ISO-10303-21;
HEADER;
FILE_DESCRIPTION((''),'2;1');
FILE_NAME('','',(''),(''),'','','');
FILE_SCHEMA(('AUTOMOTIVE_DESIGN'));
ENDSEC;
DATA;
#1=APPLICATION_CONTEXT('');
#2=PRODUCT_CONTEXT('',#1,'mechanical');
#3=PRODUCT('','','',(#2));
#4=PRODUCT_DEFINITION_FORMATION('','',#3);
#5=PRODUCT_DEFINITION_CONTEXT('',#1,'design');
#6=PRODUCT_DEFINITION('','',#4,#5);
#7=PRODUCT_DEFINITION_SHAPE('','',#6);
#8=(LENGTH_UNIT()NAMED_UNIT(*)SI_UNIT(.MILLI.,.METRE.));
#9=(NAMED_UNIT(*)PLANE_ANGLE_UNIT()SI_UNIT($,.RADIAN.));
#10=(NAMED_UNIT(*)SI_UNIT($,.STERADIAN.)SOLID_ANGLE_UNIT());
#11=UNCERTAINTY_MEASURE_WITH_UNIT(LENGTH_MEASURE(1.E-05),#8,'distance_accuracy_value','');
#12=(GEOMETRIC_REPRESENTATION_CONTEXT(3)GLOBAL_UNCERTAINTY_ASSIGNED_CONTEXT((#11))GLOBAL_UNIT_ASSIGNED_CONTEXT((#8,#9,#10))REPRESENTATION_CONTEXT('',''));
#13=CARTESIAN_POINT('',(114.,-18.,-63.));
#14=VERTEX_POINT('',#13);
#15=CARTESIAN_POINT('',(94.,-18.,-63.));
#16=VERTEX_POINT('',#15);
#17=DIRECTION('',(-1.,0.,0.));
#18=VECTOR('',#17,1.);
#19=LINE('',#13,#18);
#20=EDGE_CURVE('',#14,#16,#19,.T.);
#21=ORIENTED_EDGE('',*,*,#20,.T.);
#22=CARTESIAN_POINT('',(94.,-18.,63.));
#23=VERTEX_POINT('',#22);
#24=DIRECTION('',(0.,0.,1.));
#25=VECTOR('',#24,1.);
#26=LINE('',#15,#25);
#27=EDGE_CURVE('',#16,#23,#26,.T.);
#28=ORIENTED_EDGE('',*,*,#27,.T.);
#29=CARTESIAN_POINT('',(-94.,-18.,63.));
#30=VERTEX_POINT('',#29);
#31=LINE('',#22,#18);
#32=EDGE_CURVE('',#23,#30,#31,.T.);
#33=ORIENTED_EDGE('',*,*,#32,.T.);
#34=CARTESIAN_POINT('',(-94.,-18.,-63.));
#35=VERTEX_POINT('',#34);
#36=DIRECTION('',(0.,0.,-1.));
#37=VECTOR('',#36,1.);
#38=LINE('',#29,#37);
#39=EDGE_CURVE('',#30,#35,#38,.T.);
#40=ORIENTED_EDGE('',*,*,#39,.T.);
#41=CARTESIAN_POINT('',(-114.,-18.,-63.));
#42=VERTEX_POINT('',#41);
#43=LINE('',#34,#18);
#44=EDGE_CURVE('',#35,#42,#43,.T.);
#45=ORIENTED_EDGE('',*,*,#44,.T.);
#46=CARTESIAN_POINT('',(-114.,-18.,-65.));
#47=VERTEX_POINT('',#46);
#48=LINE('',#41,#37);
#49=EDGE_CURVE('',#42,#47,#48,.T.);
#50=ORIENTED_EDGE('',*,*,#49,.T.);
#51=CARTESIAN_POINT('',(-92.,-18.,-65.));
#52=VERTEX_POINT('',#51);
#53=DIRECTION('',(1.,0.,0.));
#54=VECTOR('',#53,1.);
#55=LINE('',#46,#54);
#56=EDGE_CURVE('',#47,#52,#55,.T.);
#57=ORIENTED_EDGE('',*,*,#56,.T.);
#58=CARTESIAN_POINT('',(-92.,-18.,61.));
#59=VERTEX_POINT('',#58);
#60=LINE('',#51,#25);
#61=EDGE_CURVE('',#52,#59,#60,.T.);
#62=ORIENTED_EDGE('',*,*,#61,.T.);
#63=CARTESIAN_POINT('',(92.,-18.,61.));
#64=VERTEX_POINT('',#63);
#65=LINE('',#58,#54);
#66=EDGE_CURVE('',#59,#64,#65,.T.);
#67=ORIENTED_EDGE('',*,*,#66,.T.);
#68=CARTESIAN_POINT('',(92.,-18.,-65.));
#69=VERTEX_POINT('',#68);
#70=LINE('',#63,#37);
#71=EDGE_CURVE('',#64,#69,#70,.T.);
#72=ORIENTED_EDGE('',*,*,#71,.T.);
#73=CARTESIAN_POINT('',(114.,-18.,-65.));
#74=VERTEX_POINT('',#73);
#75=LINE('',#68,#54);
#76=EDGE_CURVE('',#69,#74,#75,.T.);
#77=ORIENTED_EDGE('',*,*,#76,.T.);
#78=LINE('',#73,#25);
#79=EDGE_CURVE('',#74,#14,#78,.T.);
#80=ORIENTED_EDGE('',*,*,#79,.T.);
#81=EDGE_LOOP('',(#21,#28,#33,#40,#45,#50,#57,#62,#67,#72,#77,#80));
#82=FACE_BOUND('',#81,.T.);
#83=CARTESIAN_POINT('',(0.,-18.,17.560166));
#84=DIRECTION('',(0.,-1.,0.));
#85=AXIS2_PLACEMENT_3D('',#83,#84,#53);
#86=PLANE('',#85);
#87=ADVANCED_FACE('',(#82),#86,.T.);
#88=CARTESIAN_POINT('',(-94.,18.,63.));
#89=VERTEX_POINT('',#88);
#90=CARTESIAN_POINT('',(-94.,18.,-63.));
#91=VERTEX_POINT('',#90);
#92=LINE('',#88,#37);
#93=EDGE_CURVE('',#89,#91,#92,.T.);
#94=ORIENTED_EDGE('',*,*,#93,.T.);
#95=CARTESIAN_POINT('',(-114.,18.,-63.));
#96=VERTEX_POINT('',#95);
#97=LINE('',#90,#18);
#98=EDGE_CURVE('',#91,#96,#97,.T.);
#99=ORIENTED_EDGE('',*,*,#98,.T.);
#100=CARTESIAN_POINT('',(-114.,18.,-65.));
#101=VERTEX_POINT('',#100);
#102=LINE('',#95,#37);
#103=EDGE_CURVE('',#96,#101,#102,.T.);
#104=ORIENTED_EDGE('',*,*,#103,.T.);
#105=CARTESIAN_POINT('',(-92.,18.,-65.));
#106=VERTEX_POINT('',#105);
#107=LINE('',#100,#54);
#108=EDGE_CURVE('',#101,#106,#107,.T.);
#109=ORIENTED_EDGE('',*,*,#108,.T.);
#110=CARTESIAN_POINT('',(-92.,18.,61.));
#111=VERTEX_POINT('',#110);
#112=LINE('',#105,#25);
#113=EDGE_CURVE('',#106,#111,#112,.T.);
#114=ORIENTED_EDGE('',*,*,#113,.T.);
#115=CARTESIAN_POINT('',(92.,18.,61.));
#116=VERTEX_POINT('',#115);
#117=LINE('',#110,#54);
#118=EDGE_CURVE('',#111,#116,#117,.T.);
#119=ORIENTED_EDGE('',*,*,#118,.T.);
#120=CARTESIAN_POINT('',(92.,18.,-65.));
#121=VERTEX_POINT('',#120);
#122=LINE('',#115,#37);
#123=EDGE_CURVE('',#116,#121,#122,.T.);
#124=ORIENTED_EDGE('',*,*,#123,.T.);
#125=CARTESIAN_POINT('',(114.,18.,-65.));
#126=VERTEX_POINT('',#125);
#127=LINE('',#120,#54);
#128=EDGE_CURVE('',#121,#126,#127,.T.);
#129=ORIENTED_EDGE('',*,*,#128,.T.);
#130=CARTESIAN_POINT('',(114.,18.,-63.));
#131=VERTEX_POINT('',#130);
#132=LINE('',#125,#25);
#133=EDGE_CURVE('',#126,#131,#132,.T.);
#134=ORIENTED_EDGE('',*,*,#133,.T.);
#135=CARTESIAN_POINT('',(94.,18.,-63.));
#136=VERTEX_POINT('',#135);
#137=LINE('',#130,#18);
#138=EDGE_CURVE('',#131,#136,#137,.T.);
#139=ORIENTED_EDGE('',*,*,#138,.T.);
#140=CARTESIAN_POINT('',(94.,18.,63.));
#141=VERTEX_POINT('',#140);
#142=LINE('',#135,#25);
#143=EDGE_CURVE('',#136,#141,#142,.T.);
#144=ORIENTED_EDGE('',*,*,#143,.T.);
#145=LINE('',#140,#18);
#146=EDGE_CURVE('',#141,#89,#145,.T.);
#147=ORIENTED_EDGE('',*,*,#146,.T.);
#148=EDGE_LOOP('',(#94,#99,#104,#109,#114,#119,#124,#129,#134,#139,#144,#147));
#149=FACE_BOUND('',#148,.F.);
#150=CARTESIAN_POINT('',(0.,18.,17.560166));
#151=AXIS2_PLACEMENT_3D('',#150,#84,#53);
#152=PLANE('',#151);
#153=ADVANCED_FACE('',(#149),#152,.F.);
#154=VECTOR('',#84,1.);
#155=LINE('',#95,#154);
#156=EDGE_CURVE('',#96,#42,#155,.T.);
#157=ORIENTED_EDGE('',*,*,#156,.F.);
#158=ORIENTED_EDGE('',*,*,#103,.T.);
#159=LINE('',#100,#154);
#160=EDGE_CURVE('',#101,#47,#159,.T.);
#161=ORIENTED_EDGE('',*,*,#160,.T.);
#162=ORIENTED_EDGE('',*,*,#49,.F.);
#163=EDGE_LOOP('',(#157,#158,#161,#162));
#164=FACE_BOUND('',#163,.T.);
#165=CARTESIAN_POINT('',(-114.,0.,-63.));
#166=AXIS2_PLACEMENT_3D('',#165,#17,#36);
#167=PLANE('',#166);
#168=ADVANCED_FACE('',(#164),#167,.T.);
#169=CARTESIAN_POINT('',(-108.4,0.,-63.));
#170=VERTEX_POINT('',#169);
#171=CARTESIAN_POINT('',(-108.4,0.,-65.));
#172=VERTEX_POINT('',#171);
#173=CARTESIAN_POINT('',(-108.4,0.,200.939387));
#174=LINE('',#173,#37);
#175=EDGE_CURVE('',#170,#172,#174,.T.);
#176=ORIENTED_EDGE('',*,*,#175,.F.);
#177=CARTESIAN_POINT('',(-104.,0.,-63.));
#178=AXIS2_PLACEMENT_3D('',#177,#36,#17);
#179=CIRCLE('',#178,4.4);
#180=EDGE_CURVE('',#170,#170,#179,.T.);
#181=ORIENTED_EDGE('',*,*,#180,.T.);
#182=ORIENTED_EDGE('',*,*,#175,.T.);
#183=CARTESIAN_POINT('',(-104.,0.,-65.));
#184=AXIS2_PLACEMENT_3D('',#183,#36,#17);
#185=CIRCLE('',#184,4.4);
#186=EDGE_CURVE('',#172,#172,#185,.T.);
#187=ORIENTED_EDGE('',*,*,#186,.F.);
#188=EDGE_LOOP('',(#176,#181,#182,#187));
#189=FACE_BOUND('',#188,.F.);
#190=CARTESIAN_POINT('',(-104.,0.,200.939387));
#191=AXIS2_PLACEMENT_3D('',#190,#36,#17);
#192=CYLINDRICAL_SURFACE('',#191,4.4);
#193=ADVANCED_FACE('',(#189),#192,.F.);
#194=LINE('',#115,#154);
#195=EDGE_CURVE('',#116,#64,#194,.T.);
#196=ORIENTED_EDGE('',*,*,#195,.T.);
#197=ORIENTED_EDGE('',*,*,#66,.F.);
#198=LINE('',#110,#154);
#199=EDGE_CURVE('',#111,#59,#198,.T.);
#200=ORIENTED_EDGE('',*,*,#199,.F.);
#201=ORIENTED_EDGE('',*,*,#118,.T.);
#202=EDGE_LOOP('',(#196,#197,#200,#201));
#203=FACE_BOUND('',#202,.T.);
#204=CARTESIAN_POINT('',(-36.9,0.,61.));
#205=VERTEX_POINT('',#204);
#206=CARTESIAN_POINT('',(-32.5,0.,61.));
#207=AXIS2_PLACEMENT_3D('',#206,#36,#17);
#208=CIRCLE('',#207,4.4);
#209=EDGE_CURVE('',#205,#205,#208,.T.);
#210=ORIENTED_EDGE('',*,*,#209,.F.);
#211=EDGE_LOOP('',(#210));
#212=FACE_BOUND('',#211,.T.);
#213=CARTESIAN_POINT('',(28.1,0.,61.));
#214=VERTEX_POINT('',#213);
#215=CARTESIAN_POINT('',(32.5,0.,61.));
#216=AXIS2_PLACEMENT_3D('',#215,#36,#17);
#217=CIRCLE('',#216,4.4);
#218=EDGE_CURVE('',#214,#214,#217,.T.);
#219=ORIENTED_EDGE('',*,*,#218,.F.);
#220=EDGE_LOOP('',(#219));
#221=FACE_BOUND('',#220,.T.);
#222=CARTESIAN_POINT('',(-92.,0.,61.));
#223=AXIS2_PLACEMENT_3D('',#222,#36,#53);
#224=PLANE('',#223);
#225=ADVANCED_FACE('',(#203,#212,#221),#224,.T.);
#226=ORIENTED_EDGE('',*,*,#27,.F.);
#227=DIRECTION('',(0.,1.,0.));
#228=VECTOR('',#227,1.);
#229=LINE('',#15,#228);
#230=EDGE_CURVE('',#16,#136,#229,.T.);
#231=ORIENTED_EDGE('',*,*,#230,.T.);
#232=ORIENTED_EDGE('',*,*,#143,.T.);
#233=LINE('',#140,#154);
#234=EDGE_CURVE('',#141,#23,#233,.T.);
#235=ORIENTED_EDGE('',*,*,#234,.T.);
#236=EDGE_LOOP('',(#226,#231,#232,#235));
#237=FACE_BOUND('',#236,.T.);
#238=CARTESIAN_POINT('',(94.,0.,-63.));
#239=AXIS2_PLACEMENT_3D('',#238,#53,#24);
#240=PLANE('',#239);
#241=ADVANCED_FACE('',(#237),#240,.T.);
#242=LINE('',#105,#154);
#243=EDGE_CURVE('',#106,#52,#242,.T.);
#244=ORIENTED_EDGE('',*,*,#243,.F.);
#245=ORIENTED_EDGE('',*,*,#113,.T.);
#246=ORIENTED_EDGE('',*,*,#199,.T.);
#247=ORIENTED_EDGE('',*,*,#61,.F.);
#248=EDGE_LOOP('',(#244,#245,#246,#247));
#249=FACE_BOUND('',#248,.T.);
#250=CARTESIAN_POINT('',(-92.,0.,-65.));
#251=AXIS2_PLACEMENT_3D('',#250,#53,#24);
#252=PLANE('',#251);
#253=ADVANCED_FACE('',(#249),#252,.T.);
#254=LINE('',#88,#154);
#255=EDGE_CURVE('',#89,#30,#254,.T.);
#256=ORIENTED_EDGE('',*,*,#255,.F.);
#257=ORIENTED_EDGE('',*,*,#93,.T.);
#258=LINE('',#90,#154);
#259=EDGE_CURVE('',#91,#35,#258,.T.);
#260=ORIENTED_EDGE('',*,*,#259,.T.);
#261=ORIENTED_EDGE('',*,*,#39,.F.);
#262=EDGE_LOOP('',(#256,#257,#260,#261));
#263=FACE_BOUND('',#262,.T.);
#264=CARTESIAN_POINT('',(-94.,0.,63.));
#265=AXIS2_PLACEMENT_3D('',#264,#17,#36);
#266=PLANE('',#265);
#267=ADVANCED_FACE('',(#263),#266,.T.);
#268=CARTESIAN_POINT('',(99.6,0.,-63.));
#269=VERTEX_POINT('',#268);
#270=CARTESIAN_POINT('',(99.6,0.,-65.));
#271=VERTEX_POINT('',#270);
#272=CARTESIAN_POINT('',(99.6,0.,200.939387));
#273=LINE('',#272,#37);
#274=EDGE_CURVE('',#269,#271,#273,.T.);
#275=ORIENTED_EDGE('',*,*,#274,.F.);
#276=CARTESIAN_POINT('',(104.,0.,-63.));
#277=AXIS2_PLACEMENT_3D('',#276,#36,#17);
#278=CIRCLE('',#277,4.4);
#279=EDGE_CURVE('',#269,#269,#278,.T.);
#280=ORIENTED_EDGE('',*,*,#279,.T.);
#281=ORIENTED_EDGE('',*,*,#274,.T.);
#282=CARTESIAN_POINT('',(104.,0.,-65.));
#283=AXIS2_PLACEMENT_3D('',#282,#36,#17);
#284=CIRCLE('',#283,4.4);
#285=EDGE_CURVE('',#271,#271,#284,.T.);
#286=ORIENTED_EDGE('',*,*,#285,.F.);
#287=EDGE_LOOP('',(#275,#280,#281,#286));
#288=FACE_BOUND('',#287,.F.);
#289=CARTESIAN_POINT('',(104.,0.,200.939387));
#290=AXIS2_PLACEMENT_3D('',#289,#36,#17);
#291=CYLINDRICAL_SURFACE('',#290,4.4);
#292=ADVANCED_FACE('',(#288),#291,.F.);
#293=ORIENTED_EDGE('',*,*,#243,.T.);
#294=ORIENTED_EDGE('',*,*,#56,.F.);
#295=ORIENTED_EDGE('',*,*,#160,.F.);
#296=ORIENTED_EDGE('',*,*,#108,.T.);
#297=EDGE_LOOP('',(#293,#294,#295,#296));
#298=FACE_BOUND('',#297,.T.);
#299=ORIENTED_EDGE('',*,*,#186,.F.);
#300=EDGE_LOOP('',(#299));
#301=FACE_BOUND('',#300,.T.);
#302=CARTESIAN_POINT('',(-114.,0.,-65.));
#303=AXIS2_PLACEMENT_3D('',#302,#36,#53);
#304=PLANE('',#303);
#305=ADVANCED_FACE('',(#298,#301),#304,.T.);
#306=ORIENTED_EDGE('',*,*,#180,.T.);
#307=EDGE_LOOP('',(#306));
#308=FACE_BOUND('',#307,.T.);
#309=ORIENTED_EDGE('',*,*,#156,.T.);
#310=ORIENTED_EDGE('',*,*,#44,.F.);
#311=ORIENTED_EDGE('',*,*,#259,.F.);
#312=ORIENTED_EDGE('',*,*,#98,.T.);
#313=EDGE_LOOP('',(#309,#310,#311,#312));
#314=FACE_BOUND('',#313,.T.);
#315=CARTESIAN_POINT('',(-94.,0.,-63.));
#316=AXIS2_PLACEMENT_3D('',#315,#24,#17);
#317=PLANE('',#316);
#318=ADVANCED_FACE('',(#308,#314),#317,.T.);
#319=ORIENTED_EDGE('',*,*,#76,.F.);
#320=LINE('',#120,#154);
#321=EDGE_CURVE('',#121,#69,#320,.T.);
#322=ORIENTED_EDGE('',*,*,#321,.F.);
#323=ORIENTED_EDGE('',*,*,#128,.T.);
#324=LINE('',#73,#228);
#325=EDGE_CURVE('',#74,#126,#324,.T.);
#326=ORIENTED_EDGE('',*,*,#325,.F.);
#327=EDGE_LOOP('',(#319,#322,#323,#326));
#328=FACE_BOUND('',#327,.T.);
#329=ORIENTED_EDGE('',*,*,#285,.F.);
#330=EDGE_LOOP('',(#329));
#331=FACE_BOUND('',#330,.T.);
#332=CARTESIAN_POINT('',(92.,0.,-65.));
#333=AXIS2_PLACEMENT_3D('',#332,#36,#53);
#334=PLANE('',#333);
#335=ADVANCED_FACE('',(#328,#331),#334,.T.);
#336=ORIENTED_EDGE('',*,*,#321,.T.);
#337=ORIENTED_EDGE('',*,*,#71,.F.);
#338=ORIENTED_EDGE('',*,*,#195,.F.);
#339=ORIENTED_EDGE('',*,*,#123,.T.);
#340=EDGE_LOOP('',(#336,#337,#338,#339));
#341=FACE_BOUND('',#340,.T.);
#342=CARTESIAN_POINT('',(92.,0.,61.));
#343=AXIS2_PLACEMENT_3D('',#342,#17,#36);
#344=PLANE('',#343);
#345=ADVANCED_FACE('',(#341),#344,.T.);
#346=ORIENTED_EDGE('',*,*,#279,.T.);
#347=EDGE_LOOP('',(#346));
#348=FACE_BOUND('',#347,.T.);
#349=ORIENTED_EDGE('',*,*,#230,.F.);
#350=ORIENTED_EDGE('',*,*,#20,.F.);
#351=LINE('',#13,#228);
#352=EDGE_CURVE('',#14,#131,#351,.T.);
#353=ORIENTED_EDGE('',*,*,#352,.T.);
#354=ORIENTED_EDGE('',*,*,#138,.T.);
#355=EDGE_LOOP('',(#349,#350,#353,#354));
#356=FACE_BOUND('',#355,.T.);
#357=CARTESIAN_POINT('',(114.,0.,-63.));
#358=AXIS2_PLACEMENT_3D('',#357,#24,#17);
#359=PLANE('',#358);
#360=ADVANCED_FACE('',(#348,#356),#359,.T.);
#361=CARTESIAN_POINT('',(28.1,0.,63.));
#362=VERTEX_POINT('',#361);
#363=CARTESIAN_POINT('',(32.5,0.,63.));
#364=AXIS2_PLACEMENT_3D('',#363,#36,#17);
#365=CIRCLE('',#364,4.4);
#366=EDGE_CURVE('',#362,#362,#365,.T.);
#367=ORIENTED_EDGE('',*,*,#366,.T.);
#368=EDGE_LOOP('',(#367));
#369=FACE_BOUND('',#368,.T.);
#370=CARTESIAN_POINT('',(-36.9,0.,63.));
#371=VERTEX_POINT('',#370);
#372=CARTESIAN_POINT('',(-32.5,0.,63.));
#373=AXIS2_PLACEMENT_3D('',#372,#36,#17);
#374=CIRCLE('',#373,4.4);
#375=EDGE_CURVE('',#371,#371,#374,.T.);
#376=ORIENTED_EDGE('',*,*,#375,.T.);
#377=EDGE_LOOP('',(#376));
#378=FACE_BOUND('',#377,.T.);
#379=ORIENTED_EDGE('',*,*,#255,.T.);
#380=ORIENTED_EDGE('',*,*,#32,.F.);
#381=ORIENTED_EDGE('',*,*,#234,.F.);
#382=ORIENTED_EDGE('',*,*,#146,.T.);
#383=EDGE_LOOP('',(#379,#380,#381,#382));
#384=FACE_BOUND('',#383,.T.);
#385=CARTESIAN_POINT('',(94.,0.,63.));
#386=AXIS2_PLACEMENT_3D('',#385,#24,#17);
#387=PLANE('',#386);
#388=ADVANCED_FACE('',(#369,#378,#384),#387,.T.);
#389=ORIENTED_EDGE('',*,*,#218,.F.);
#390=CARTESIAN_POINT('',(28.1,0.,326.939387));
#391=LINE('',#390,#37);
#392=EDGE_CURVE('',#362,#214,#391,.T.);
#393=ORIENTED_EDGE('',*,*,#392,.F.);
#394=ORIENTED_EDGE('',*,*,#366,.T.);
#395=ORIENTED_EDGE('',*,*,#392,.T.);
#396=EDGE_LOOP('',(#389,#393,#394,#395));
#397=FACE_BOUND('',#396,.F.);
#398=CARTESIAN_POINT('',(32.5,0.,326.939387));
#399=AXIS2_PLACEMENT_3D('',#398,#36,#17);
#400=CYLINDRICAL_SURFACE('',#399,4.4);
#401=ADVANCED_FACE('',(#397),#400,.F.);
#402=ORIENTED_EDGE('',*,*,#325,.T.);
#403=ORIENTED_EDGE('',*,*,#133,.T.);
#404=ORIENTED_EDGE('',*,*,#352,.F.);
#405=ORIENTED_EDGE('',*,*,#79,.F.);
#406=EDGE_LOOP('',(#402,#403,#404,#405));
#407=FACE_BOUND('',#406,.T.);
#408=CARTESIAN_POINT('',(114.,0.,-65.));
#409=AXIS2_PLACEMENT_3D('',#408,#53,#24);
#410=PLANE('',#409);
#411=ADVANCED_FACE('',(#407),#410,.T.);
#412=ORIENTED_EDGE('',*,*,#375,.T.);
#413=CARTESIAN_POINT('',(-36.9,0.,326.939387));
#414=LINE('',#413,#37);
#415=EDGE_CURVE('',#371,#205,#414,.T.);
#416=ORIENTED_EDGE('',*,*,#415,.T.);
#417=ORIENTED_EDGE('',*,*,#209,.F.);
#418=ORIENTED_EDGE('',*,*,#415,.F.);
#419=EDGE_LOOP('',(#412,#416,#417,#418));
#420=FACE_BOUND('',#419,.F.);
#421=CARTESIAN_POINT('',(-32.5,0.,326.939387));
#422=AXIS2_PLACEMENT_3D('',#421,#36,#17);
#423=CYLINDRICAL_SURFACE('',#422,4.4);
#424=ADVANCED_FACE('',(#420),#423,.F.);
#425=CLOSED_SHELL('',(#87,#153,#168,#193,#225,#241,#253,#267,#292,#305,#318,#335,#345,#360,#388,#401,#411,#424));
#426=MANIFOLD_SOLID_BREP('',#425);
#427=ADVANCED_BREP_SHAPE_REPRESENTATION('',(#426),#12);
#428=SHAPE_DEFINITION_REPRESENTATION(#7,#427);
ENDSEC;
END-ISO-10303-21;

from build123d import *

# Parameters (mm, degrees)
F1_DEPTH   = 18
F5_D       = 8.8
F5_ON_F4_D = 8.8
F5_ON_F3_D = 8.8


with BuildPart() as f1:
    # F0 (on Front) → F1 (new body, symmetric)
    with BuildSketch(Plane.XZ):
        Polygon((94, -63), (94, 63), (-94, 63), (-94, -63), (-114, -63), (-114, -65), (-92, -65), (-92, 61), (92, 61), (92, -65), (114, -65), (114, -63), align=None)
    extrude(amount=F1_DEPTH, both=True)

    # F5 (through all)
    with Locations(Plane.XY.offset(63)):
        with Locations((-32.5, 0), (32.5, 0)):
            Hole(F5_D / 2)

    # F5 on F4 (through all)
    with Locations(Plane.XY.offset(-63)):
        with Locations((104, 0)):
            Hole(F5_ON_F4_D / 2)

    # F5 on F3 (through all)
    with Locations(Plane.XY.offset(-63)):
        with Locations((-104, 0)):
            Hole(F5_ON_F3_D / 2)


solid = f1.part
